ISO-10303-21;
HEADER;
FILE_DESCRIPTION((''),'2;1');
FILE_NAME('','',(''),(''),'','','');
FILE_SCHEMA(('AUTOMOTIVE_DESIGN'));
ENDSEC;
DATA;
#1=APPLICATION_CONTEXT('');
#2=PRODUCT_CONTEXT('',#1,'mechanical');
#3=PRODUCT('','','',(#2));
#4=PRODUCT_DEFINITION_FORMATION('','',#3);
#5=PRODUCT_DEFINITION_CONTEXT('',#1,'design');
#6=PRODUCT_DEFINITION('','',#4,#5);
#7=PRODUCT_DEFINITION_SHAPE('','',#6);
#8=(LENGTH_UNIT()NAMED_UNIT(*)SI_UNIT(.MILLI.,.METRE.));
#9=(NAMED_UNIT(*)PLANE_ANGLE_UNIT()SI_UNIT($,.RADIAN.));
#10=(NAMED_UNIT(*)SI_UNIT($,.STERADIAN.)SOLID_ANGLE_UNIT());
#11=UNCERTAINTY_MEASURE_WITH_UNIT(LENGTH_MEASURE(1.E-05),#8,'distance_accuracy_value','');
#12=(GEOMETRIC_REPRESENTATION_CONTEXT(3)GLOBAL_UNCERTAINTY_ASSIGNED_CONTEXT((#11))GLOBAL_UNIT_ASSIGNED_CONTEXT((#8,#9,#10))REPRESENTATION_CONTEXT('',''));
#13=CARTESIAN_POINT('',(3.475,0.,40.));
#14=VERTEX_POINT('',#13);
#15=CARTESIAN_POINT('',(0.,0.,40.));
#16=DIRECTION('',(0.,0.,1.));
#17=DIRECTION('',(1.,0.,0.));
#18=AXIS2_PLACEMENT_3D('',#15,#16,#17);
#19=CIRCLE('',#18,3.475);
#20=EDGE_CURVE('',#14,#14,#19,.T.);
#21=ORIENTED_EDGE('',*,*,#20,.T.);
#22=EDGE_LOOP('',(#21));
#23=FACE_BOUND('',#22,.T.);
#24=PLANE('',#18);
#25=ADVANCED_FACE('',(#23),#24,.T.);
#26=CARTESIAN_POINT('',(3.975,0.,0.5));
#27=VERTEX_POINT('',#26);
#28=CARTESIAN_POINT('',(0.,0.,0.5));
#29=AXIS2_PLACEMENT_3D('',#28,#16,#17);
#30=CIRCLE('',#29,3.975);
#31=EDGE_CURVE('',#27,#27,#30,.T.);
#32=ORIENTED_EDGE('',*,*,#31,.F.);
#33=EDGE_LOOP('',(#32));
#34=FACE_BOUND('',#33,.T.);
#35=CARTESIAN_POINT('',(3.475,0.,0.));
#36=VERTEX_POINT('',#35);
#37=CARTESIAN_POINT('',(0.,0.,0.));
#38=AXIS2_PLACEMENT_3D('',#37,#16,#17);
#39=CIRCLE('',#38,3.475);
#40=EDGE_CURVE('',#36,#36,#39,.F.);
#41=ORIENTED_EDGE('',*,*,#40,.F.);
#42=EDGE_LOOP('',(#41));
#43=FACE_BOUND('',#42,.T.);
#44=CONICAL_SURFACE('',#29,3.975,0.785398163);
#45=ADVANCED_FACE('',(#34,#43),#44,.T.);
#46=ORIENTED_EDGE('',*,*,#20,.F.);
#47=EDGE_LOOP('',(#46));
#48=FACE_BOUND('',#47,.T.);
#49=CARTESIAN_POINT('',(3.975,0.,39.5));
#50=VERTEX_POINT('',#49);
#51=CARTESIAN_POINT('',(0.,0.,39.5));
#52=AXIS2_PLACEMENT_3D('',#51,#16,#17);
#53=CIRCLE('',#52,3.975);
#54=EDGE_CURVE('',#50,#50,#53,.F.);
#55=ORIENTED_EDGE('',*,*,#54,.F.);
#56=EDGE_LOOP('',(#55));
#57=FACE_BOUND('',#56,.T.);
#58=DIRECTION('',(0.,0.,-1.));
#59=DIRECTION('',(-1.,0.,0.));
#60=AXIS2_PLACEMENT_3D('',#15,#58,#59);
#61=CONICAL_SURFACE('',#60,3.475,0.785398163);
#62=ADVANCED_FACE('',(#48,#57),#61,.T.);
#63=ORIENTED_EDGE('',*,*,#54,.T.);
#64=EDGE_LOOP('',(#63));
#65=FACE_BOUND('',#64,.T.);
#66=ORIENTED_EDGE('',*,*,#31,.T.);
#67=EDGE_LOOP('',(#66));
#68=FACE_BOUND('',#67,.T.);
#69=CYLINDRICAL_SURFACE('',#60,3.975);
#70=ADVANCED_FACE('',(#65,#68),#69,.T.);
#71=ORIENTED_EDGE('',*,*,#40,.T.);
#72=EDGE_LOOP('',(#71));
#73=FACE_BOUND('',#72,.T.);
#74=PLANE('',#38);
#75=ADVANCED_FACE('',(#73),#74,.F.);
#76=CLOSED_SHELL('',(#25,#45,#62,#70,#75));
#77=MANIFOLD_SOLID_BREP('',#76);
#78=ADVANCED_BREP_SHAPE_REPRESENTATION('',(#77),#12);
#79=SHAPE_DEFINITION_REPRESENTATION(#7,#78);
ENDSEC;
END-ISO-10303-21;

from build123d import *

# Parameters (mm, degrees)
SKETCH_1_R      = 3.975
EXTRUDE_1_DEPTH = 40
CHAMFER_1_SIZE  = 0.5


with BuildPart() as part:
    # 스케치1 → 보스-돌출1 (new body)
    with BuildSketch(Plane.XY):
        Circle(SKETCH_1_R)
    extrude(amount=EXTRUDE_1_DEPTH)

    # 모따기1
    chamfer_1_edges = [part.edges().sort_by_distance(p)[0] for p in [
        (-3.975, 0, 0),
        (-3.975, 0, 40),
    ]]
    chamfer(chamfer_1_edges, length=CHAMFER_1_SIZE)


solid = part.part
